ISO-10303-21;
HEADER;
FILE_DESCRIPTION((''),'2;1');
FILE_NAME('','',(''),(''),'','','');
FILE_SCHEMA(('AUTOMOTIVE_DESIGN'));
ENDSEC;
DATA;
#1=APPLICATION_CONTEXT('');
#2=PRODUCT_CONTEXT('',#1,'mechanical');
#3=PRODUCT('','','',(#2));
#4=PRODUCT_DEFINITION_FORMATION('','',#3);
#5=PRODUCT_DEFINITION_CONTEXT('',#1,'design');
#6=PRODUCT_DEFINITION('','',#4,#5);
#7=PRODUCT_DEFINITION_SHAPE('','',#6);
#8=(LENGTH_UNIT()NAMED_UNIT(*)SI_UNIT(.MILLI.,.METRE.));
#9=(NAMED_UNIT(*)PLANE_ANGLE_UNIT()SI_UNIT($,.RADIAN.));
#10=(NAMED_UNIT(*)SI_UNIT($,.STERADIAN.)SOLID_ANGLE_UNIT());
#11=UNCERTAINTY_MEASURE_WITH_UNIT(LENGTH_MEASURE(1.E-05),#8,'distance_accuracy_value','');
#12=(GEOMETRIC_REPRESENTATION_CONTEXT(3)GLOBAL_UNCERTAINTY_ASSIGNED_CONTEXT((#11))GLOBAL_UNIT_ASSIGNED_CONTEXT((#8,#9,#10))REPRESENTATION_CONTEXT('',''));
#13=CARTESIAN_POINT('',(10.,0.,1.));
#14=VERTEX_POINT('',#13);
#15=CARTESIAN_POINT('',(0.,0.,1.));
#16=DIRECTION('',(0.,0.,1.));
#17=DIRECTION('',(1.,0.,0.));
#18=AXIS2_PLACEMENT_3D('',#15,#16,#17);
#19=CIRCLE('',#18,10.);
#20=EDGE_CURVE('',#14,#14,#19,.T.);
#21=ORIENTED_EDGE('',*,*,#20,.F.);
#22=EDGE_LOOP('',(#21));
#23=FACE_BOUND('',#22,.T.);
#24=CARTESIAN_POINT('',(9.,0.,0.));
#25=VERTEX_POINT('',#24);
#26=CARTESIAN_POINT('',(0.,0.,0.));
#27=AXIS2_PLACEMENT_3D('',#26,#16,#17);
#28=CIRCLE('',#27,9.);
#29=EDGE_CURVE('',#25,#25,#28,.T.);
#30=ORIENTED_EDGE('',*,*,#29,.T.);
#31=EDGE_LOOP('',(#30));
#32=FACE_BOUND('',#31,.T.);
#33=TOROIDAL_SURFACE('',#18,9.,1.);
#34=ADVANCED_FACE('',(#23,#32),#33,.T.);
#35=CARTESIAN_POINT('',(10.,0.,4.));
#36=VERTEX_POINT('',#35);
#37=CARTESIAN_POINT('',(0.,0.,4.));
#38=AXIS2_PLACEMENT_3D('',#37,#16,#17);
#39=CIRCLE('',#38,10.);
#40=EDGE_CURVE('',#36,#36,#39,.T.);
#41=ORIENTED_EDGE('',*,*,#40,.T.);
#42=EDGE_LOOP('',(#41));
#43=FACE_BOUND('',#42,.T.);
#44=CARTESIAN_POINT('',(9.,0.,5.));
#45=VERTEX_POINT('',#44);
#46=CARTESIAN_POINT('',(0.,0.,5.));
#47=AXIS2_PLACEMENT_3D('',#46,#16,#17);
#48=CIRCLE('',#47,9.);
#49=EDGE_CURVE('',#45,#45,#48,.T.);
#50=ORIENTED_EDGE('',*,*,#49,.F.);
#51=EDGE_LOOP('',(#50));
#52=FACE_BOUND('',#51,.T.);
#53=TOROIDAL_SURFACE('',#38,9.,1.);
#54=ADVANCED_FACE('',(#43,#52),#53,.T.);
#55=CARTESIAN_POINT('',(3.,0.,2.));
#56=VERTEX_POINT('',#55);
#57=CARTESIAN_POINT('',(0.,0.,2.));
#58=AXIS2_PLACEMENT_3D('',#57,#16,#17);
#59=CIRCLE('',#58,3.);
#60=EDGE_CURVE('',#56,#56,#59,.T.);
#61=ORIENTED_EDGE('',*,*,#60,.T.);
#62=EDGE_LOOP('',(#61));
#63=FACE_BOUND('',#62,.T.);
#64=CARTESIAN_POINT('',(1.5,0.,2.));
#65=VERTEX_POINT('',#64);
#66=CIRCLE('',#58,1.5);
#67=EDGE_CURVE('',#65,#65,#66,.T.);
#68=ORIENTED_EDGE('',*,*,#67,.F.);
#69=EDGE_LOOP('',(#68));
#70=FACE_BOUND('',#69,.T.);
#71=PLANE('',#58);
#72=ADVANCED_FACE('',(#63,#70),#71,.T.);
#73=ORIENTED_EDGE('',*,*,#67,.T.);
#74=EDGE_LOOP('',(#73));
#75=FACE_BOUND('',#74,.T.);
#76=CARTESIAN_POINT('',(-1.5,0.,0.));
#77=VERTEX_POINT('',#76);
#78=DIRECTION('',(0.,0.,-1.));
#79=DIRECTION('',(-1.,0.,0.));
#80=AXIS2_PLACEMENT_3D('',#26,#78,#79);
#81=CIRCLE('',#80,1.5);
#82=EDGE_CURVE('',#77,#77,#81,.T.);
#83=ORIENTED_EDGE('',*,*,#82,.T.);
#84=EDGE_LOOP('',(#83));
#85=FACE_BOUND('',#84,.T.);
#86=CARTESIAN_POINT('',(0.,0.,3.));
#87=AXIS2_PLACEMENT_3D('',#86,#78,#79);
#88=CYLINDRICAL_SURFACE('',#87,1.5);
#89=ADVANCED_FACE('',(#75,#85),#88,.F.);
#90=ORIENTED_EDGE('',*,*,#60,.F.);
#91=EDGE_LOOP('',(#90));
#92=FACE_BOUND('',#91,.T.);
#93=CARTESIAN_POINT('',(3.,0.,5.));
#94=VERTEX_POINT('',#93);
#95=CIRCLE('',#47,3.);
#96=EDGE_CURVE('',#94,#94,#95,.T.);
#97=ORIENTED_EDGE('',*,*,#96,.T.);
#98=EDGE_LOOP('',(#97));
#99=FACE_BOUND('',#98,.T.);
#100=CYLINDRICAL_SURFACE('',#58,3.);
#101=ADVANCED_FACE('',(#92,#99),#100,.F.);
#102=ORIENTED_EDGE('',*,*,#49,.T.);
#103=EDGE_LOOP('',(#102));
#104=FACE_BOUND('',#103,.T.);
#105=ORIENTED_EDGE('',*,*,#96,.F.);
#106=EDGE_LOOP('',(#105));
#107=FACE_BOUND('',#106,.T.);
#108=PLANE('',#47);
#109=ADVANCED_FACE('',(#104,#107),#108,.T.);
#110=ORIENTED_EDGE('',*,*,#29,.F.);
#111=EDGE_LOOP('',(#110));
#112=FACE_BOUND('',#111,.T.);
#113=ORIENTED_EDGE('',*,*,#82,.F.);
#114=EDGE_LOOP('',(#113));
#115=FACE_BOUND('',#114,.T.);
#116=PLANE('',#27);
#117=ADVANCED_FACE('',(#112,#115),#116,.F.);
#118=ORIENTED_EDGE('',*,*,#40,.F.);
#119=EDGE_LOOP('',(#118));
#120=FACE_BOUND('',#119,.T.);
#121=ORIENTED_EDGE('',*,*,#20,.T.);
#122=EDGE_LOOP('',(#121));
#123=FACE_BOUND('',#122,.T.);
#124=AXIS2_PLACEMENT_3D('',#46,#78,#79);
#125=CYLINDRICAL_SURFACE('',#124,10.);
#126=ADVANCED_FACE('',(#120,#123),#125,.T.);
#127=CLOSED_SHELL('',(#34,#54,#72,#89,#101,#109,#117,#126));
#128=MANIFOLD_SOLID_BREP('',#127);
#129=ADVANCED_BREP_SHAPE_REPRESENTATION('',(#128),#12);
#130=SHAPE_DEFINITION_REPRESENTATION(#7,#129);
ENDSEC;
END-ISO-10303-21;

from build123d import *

# Parameters (mm, degrees)
ESQUISSE1_R             = 10
BOSS_EXTRU_1_DEPTH      = 5
ESQUISSE2_R             = 3
ENL_V_MAT_EXTRU_1_DEPTH = 3
ESQUISSE9_R             = 1.5
ENL_V_MAT_EXTRU_2_DEPTH = 3


with BuildPart() as part:
    # Esquisse1 → Boss.-Extru.1 (new body)
    with BuildSketch(Plane.XY):
        Circle(ESQUISSE1_R)
    extrude(amount=BOSS_EXTRU_1_DEPTH)

    # Esquisse2 → Enlèv. mat.-Extru.1 (cut)
    with BuildSketch(Plane.XY.offset(5)):
        Circle(ESQUISSE2_R)
    extrude(amount=-ENL_V_MAT_EXTRU_1_DEPTH, mode=Mode.SUBTRACT)

    # Esquisse3 → Enlèvement de matière-Révolution1 (revolve, cut)
    with BuildSketch(Plane(origin=(0, 0, 0), x_dir=(0, 0, -1), z_dir=(1, 0, 0)), mode=Mode.PRIVATE) as enl_vement_de_mati_re_r_volution1_sk:
        with BuildLine():
            Line((0, 10), (-1, 10))
            ThreePointArc((-1, 10), (-0.292893219, 9.707106781), (0, 9))
            Line((0, 9), (0, 10))
        make_face()
        with BuildLine():
            Line((-4, 10), (-5, 10))
            Line((-5, 10), (-5, 9))
            ThreePointArc((-5, 9), (-4.707106781, 9.707106781), (-4, 10))
        make_face()
    revolve(enl_vement_de_mati_re_r_volution1_sk.sketch.rotate(Axis((0, 0, 5), (0, 0, -1)), 90), axis=Axis((0, 0, 5), (0, 0, -1)), mode=Mode.SUBTRACT)

    # Esquisse9 → Enlèv. mat.-Extru.2 (cut)
    with BuildSketch(Plane(origin=(0, 0, 0), x_dir=(-1, 0, 0), z_dir=(0, 0, -1))):
        Circle(ESQUISSE9_R)
    extrude(amount=-ENL_V_MAT_EXTRU_2_DEPTH, mode=Mode.SUBTRACT)


solid = part.part
